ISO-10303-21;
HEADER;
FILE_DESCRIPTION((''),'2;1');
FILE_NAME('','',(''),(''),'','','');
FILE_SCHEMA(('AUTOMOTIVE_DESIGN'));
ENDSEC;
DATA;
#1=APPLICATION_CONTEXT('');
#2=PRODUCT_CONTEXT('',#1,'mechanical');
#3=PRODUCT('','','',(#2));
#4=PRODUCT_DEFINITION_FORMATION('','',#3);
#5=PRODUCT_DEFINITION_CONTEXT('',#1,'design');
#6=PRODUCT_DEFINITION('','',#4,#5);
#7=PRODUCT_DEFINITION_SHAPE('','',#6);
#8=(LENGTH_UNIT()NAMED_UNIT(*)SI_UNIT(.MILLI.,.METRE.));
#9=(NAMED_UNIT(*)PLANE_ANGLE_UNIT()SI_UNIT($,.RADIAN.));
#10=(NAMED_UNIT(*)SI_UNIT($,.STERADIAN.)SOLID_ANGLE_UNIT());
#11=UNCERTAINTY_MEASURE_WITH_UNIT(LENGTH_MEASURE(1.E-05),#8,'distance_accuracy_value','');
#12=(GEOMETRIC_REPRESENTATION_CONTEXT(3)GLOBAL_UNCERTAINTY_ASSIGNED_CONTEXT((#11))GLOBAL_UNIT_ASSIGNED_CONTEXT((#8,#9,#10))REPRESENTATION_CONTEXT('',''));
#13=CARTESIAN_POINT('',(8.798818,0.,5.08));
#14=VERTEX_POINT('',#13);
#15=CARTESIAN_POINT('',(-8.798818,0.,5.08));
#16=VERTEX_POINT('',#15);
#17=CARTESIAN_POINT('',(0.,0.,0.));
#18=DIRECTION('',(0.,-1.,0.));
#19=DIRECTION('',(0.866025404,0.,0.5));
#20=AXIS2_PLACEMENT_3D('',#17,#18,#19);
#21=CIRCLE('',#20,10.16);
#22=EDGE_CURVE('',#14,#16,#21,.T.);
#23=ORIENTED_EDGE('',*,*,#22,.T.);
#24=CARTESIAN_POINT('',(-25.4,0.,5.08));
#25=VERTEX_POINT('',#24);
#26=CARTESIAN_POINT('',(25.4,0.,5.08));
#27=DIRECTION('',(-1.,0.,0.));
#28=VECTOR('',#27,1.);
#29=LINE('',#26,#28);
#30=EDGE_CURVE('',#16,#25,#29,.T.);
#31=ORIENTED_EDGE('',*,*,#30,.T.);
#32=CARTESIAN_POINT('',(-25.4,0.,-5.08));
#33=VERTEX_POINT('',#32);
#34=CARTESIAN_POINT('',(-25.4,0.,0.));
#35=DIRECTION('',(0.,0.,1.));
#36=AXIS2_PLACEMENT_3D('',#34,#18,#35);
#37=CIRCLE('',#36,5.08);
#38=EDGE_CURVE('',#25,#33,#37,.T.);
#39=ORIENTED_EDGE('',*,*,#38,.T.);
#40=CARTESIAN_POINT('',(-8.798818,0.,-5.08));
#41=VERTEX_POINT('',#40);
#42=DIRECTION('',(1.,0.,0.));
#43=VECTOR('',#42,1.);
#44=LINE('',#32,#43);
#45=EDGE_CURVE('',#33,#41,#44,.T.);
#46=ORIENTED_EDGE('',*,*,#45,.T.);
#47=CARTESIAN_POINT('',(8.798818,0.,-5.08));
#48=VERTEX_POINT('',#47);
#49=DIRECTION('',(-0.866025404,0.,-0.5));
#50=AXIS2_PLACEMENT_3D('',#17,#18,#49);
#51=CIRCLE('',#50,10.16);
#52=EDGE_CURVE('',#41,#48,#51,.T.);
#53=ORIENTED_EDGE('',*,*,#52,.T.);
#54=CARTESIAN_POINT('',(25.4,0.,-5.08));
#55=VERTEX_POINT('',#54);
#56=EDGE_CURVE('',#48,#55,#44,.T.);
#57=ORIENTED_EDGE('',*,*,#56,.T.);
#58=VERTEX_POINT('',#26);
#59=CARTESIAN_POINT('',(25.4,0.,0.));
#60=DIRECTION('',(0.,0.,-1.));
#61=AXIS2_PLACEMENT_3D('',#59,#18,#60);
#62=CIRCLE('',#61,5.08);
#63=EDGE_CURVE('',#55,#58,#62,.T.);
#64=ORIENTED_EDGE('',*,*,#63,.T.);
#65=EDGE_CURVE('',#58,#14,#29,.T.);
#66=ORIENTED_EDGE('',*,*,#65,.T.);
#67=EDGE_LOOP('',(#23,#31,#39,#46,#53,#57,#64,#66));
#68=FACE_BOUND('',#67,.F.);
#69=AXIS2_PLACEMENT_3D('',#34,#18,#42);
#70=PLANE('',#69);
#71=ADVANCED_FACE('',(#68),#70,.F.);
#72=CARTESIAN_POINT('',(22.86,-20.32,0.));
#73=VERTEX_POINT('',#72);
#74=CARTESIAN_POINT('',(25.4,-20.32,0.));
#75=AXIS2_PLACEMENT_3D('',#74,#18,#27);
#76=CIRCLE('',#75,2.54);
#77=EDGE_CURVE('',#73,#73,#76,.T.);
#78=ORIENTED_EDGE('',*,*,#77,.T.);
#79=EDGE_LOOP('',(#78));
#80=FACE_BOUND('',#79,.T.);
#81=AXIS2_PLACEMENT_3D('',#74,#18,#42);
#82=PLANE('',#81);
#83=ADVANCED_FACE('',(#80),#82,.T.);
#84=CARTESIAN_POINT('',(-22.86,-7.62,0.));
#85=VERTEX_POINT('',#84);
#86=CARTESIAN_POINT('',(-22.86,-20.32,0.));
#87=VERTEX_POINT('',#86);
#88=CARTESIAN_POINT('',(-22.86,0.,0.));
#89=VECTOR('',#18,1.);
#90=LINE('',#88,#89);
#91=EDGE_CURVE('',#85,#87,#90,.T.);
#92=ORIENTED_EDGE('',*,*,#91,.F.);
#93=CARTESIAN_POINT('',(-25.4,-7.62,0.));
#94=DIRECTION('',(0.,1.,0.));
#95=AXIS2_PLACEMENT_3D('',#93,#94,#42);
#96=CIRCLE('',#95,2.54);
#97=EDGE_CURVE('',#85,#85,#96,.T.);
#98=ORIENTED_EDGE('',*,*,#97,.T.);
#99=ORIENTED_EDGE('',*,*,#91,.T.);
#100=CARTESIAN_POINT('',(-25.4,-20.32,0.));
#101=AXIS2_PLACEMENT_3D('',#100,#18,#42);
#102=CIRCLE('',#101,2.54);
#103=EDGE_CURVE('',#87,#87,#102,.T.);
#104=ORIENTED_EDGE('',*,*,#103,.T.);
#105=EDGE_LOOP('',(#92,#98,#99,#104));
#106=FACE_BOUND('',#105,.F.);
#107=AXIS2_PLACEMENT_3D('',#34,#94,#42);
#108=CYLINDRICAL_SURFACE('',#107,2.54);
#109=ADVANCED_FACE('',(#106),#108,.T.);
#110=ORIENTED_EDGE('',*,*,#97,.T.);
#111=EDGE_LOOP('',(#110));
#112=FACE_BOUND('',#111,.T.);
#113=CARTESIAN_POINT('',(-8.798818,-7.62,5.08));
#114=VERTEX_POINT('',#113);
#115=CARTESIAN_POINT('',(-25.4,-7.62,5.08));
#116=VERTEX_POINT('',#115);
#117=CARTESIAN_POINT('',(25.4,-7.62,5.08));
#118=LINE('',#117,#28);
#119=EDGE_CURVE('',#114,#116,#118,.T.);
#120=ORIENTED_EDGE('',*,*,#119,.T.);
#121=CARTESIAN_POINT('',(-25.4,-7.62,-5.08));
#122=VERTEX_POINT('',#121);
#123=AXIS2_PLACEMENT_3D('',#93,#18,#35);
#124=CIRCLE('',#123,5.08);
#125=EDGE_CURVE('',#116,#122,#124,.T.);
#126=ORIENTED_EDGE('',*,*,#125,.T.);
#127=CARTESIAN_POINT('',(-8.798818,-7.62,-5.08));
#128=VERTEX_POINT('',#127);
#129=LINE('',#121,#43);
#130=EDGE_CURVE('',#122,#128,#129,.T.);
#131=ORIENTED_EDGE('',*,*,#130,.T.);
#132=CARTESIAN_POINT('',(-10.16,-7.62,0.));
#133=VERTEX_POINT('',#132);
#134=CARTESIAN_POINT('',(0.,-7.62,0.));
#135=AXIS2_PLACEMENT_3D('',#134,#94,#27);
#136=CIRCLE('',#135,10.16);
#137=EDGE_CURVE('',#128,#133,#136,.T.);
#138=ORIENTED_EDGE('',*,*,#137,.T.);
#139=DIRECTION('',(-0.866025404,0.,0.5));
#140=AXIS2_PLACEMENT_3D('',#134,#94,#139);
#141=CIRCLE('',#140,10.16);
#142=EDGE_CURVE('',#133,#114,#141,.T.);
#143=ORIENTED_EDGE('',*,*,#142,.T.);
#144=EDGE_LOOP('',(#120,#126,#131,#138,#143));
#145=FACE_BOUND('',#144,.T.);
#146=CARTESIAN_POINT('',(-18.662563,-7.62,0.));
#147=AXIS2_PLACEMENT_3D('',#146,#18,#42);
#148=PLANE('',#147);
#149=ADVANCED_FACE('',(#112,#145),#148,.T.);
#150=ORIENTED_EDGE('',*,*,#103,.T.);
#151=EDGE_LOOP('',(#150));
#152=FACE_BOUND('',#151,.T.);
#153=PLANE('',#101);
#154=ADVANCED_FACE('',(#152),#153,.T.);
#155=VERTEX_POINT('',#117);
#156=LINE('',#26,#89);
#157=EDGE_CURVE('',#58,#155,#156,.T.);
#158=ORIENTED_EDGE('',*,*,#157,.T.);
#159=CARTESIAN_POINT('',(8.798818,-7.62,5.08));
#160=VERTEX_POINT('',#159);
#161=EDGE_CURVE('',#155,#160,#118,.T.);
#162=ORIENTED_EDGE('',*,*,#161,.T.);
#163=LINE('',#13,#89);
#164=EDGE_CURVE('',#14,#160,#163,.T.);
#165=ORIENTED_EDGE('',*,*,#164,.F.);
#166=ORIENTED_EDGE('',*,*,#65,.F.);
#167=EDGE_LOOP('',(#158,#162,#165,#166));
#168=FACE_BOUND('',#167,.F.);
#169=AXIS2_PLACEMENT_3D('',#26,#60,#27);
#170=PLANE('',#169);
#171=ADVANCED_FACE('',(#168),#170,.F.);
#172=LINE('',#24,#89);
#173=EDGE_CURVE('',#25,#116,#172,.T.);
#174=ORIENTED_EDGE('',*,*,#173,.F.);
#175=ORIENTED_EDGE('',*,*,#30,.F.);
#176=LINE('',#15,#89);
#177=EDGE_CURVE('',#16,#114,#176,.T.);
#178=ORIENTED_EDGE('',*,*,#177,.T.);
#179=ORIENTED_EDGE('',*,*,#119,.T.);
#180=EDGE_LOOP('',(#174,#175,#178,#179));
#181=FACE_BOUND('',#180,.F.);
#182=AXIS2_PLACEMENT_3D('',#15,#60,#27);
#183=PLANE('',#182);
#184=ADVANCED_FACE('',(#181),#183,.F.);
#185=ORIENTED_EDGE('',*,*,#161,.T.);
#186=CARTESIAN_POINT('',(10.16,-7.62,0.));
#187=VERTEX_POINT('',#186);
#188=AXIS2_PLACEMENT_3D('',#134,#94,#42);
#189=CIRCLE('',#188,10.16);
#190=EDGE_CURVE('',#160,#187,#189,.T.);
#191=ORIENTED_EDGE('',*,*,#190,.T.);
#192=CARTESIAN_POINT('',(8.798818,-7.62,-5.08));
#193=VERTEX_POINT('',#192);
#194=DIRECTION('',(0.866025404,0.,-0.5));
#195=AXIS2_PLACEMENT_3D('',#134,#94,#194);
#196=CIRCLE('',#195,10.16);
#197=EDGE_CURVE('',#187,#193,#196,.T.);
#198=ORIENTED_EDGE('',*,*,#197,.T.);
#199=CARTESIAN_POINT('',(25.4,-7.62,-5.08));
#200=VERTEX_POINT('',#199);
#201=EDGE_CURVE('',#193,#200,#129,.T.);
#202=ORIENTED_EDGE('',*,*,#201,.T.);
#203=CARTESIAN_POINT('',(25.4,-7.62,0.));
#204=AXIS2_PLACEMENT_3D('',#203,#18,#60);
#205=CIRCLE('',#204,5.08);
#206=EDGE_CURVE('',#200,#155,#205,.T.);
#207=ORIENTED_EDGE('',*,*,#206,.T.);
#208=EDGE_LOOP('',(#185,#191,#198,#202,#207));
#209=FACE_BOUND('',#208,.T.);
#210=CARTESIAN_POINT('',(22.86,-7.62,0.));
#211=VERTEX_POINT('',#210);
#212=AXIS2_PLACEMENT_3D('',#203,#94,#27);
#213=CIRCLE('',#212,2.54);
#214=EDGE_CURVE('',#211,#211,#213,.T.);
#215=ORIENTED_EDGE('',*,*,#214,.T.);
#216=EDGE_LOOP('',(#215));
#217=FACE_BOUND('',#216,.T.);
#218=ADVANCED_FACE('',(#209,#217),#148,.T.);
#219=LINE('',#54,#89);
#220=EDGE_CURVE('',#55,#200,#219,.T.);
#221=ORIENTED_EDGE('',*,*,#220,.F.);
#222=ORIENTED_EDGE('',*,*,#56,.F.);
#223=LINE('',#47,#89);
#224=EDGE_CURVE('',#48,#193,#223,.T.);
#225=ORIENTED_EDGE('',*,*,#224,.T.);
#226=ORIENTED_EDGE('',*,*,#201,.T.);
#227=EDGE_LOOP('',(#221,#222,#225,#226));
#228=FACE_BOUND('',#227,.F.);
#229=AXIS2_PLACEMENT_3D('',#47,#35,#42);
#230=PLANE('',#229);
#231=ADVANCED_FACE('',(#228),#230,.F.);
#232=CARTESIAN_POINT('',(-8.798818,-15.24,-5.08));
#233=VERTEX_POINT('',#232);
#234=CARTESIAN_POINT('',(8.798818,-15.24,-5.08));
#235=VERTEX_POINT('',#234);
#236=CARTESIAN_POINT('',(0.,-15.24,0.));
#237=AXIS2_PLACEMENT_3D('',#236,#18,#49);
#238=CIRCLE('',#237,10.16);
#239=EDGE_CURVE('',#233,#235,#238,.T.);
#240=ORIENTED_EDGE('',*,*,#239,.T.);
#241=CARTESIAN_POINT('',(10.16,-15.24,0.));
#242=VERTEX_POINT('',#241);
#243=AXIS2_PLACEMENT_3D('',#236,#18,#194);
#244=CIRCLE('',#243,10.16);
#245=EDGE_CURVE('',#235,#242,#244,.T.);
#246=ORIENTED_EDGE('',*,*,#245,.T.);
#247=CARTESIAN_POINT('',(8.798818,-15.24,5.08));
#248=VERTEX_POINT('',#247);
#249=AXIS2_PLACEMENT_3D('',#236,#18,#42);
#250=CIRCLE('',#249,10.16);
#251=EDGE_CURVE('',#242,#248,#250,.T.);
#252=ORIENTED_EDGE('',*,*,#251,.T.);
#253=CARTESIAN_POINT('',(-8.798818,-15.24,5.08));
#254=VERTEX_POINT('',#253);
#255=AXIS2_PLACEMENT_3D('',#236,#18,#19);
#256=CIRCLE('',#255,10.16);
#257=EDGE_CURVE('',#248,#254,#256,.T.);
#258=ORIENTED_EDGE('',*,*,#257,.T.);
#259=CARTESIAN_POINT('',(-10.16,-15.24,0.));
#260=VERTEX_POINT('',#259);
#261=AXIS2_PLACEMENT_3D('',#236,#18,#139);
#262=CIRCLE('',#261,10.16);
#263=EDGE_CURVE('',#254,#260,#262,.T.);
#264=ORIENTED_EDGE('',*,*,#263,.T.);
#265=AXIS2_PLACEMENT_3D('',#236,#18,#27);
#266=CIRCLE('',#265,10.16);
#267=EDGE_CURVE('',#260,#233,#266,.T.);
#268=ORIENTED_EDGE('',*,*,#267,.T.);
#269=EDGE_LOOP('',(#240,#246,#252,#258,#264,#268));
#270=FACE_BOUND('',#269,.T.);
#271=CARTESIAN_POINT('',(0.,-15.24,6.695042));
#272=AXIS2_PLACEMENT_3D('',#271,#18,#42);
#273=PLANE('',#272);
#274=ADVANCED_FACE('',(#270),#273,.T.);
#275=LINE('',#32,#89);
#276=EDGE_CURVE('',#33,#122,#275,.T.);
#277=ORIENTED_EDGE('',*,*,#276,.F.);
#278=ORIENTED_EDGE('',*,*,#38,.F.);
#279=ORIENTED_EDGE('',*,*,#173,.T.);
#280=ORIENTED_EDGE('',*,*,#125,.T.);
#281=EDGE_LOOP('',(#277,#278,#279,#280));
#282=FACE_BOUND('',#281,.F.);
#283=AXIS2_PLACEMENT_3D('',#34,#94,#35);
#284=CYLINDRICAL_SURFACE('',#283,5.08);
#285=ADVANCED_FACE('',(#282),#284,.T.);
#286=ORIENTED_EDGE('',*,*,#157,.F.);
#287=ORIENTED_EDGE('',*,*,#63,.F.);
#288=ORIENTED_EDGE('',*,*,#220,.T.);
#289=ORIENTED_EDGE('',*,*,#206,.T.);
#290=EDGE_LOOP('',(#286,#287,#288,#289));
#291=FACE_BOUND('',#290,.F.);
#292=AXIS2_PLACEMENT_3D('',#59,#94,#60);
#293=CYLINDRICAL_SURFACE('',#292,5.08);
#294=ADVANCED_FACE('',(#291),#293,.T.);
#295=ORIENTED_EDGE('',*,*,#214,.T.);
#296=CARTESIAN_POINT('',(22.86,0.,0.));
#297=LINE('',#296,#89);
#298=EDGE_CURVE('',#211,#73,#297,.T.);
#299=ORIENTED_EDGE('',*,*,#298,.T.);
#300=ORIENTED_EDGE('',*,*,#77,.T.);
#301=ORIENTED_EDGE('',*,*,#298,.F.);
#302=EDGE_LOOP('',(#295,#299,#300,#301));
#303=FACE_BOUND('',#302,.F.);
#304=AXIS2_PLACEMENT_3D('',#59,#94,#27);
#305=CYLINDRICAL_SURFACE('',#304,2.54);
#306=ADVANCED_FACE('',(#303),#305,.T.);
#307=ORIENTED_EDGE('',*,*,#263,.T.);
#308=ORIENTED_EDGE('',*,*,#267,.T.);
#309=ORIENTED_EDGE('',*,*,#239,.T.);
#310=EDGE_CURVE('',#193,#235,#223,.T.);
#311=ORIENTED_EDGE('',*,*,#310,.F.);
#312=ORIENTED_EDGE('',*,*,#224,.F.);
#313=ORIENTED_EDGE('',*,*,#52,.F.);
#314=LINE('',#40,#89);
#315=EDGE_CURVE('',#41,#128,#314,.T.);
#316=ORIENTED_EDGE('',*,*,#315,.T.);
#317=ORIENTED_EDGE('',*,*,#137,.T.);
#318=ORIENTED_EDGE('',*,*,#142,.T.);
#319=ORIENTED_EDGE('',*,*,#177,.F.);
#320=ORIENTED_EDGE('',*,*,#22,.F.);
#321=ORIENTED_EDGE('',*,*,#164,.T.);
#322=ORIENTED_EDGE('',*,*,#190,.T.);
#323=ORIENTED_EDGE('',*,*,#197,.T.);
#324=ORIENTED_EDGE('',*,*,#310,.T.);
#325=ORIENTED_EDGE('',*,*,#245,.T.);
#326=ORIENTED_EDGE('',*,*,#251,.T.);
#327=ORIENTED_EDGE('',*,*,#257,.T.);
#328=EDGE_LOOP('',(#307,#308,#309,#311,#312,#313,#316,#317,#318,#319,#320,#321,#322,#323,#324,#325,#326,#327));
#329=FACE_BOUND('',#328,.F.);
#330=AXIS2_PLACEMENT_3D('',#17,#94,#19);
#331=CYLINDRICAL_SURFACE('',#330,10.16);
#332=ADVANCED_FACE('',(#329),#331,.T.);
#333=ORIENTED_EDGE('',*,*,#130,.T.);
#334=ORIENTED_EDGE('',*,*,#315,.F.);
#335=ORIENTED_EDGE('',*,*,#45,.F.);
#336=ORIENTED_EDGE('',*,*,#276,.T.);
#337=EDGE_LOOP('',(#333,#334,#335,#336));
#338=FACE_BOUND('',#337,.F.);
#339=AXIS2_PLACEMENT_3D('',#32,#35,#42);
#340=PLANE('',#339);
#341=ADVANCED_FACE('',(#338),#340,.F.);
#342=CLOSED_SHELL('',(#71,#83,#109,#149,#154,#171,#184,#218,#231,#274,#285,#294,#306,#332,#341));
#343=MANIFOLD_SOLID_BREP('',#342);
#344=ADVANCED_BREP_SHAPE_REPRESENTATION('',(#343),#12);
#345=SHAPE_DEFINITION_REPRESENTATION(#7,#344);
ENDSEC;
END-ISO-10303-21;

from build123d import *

# Parameters (mm, degrees)
F0_R     = 2.54
F1_DEPTH = 7.62
F2_DEPTH = 15.24
F3_DEPTH = 20.32


with BuildPart() as f1:
    # F0 (on Front) → F1 (new body)
    with BuildSketch(Plane.XZ):
        with BuildLine():
            ThreePointArc((-8.7988181024, -5.08), (-9.8138063951, -2.6296014982), (-10.16, 0))
            ThreePointArc((-10.16, 0), (-9.8138063951, 2.6296014982), (-8.7988181024, 5.08))
            Line((-8.7988181024, 5.08), (-25.4, 5.08))
            ThreePointArc((-25.4, 5.08), (-30.48, 0), (-25.4, -5.08))
            Line((-25.4, -5.08), (-8.7988181024, -5.08))
        make_face()
        with Locations((-25.4, 0)):
            Circle(F0_R, mode=Mode.SUBTRACT)
        with Locations((-25.4, 0)):
            Circle(F0_R)
        with BuildLine():
            Line((-10.16, 0), (10.16, 0))
            ThreePointArc((10.16, 0), (9.8138063951, 2.6296014982), (8.7988181025, 5.08))
            Line((8.7988181025, 5.08), (-8.7988181024, 5.08))
            ThreePointArc((-8.7988181024, 5.08), (-9.8138063951, 2.6296014982), (-10.16, 0))
        make_face()
        with BuildLine():
            ThreePointArc((8.7988181025, -5.08), (9.8138063951, -2.6296014982), (10.16, 0))
            Line((10.16, 0), (-10.16, 0))
            ThreePointArc((-10.16, 0), (-9.8138063951, -2.6296014982), (-8.7988181024, -5.08))
            Line((-8.7988181024, -5.08), (8.7988181025, -5.08))
        make_face()
        with BuildLine():
            ThreePointArc((8.7988181025, 5.08), (9.8138063951, 2.6296014982), (10.16, 0))
            ThreePointArc((10.16, 0), (9.8138063951, -2.6296014982), (8.7988181025, -5.08))
            Line((8.7988181025, -5.08), (25.4, -5.08))
            ThreePointArc((25.4, -5.08), (30.48, 0), (25.4, 5.08))
            Line((25.4, 5.08), (8.7988181025, 5.08))
        make_face()
        with BuildLine():
            ThreePointArc((27.94, 0), (25.4, -2.54), (22.86, 0))
            ThreePointArc((22.86, 0), (25.4, 2.54), (27.94, 0))
        make_face(mode=Mode.SUBTRACT)
        with BuildLine():
            ThreePointArc((27.94, 0), (25.4, 2.54), (22.86, 0))
            ThreePointArc((22.86, 0), (25.4, -2.54), (27.94, 0))
        make_face()
        with BuildLine():
            Line((-8.7988181024, 5.08), (8.7988181025, 5.08))
            ThreePointArc((8.7988181025, 5.08), (0, 10.16), (-8.7988181024, 5.08))
        make_face()
        with BuildLine():
            ThreePointArc((-8.7988181024, -5.08), (0, -10.16), (8.7988181025, -5.08))
            Line((8.7988181025, -5.08), (-8.7988181024, -5.08))
        make_face()
    extrude(amount=F1_DEPTH)

    # F0 (on Front) → F2 (join)
    with BuildSketch(Plane.XZ):
        with BuildLine():
            Line((-8.7988181024, 5.08), (8.7988181025, 5.08))
            ThreePointArc((8.7988181025, 5.08), (0, 10.16), (-8.7988181024, 5.08))
        make_face()
        with BuildLine():
            Line((-10.16, 0), (10.16, 0))
            ThreePointArc((10.16, 0), (9.8138063951, 2.6296014982), (8.7988181025, 5.08))
            Line((8.7988181025, 5.08), (-8.7988181024, 5.08))
            ThreePointArc((-8.7988181024, 5.08), (-9.8138063951, 2.6296014982), (-10.16, 0))
        make_face()
        with BuildLine():
            ThreePointArc((8.7988181025, -5.08), (9.8138063951, -2.6296014982), (10.16, 0))
            Line((10.16, 0), (-10.16, 0))
            ThreePointArc((-10.16, 0), (-9.8138063951, -2.6296014982), (-8.7988181024, -5.08))
            Line((-8.7988181024, -5.08), (8.7988181025, -5.08))
        make_face()
        with BuildLine():
            ThreePointArc((-8.7988181024, -5.08), (0, -10.16), (8.7988181025, -5.08))
            Line((8.7988181025, -5.08), (-8.7988181024, -5.08))
        make_face()
    extrude(amount=F2_DEPTH)

    # F0 (on Front) → F3 (join)
    with BuildSketch(Plane.XZ):
        with Locations((-25.4, 0)):
            Circle(F0_R)
        with BuildLine():
            ThreePointArc((27.94, 0), (25.4, 2.54), (22.86, 0))
            ThreePointArc((22.86, 0), (25.4, -2.54), (27.94, 0))
        make_face()
    extrude(amount=F3_DEPTH)


solid = f1.part
